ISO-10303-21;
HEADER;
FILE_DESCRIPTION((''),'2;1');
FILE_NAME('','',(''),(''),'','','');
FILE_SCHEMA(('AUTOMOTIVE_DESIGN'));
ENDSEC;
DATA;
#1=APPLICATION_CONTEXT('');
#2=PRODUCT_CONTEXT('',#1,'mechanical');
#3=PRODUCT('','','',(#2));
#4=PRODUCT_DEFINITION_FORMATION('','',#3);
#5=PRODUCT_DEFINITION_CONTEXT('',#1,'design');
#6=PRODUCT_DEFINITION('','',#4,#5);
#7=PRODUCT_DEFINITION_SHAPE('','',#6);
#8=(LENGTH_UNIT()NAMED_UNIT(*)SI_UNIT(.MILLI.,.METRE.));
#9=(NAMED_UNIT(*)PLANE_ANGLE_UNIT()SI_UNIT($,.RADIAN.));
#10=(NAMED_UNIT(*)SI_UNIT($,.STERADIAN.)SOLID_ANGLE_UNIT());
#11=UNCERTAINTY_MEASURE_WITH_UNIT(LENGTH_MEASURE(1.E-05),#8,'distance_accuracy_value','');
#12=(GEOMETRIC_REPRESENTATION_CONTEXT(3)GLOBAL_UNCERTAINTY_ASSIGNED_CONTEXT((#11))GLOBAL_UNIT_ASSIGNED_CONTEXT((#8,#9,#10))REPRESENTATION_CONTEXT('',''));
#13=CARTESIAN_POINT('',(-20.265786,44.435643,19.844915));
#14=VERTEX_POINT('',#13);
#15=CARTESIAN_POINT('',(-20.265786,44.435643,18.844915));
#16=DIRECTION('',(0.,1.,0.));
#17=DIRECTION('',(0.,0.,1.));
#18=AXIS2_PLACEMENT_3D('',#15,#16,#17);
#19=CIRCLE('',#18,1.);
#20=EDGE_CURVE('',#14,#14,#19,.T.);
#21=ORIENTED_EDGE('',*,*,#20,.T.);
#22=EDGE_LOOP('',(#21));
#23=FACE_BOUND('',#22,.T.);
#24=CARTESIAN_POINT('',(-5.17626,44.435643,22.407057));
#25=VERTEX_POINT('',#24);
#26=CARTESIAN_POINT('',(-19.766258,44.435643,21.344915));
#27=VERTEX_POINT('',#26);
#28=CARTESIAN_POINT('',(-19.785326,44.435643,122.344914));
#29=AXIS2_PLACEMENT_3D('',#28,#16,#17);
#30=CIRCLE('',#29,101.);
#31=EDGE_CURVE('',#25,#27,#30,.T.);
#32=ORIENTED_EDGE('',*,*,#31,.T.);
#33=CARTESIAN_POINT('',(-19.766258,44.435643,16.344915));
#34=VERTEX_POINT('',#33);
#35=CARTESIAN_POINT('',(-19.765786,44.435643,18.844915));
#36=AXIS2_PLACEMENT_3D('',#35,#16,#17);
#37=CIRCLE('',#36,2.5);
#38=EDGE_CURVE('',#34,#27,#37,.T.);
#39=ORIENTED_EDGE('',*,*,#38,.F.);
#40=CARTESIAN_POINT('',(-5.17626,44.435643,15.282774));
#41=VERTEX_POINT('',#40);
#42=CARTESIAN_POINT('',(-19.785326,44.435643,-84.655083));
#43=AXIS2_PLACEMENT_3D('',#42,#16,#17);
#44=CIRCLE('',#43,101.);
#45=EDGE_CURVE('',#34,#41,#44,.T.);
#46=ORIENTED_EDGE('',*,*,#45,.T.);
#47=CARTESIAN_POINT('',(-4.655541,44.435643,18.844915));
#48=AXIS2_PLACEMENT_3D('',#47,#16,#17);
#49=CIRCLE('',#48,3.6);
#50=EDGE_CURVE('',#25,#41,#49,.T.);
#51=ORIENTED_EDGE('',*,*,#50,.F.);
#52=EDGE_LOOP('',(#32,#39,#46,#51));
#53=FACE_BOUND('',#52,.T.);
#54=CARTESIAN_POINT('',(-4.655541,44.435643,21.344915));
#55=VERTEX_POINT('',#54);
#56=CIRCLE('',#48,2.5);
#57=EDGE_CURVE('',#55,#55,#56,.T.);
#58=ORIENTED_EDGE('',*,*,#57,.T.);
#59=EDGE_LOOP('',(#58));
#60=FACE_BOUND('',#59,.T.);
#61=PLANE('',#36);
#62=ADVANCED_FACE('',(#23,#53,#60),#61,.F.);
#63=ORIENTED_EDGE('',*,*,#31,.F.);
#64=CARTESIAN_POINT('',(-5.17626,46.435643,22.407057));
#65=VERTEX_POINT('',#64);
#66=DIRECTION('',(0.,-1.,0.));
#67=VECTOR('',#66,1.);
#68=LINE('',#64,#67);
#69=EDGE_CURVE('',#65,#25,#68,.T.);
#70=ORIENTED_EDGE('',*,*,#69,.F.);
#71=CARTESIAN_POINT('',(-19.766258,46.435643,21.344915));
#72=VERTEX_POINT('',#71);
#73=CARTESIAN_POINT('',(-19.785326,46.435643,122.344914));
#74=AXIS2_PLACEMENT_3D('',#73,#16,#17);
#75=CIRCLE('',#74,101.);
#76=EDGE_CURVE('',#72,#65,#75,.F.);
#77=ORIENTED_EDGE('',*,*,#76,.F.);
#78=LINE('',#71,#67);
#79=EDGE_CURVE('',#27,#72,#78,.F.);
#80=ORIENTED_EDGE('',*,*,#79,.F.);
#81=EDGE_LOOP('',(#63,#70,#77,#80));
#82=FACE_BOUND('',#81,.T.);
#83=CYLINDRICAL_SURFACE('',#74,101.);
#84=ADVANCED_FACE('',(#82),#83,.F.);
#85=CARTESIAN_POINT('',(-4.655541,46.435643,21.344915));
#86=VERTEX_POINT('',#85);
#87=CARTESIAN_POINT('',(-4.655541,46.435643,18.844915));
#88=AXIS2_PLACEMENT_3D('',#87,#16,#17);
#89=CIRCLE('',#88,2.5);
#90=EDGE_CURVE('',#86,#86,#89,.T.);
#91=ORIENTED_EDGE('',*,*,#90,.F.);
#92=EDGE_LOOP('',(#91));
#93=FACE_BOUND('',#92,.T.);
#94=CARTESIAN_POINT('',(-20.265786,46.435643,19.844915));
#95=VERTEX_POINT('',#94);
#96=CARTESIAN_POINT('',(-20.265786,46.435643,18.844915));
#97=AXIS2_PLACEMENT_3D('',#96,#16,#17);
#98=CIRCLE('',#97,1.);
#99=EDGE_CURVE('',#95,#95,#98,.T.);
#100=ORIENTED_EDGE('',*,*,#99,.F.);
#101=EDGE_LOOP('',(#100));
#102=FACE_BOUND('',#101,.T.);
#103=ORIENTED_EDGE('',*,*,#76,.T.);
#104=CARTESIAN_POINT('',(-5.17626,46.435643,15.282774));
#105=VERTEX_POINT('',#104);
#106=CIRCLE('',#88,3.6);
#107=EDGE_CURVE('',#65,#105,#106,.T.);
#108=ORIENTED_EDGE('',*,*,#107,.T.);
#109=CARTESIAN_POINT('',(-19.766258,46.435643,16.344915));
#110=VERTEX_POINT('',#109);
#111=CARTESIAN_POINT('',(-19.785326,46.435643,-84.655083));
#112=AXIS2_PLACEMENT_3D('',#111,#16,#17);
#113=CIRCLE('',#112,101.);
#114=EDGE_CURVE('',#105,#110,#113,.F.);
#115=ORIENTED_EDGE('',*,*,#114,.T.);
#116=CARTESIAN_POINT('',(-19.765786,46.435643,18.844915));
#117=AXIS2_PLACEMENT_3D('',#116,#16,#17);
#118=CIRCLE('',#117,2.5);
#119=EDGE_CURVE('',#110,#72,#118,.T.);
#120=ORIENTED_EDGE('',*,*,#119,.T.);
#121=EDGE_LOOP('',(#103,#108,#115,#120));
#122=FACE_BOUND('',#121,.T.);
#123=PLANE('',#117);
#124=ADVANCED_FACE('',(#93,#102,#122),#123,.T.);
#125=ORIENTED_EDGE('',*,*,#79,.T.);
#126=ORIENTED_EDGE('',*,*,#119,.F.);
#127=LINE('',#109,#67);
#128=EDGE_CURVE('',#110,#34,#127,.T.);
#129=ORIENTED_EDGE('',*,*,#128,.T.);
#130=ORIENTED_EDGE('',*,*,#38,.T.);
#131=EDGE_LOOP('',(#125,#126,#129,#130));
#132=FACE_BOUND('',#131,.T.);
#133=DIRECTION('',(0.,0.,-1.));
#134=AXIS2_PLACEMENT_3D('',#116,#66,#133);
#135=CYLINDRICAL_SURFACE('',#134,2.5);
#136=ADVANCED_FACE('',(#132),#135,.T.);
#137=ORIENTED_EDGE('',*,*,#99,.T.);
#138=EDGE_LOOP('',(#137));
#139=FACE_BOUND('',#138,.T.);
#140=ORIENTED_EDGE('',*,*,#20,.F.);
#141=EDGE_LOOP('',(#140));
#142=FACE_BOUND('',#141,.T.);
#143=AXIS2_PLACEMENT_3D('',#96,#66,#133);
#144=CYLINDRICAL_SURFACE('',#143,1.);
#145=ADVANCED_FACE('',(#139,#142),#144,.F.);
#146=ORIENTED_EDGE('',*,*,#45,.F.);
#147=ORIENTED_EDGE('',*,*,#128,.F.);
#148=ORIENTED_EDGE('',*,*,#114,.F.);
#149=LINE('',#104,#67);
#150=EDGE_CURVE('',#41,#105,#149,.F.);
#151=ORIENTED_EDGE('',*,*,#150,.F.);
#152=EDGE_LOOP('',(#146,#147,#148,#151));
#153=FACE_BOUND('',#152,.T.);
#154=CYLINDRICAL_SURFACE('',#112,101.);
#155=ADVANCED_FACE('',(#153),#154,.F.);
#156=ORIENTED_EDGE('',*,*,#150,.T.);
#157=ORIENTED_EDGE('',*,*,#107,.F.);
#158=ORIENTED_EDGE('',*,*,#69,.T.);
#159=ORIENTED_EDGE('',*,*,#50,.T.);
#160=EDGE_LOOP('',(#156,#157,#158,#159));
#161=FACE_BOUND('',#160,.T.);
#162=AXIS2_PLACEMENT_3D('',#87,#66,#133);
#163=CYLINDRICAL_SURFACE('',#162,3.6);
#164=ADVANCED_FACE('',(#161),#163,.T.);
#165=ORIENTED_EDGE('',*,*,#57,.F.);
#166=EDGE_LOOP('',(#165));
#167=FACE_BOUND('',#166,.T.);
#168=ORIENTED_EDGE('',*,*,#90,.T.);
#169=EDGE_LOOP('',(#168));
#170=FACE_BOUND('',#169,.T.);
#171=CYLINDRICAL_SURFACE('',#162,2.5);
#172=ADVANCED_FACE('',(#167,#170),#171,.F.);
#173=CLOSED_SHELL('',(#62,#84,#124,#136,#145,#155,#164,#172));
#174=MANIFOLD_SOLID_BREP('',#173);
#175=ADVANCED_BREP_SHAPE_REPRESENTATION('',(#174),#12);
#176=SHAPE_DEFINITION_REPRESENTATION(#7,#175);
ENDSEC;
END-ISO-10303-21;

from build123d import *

# Parameters (mm, degrees)
CROQUIS1_R              = 2.5
CROQUIS1_R_2            = 1
SALIENTE_EXTRUIR1_DEPTH = 2
REDONDEO1_R             = 101


with BuildPart() as part:
    # Croquis1 → Saliente-Extruir1 (new body)
    with BuildSketch(Plane(origin=(0, 44.435642752, 0), x_dir=(1, 0, 0), z_dir=(0, 1, 0))):
        with BuildLine():
            Line((-19.765786092, -16.344915397), (-7.245908087, -16.344915397))
            ThreePointArc((-7.245908087, -16.344915397), (-1.055541318, -18.844915397), (-7.245908087, -21.344915397))
            Line((-7.245908087, -21.344915397), (-19.765786092, -21.344915397))
            ThreePointArc((-19.765786092, -21.344915397), (-22.265786092, -18.844915397), (-19.765786092, -16.344915397))
        make_face()
        with Locations(Location((-4.655541318, -18.844915397, 0), (0, 0, 270))):
            Circle(CROQUIS1_R, mode=Mode.SUBTRACT)
        with Locations(Location((-20.265786092, -18.844915397, 0), (0, 0, 270))):
            Circle(CROQUIS1_R_2, mode=Mode.SUBTRACT)
    extrude(amount=SALIENTE_EXTRUIR1_DEPTH)

    # Redondeo1
    redondeo1_edges = [part.edges().sort_by_distance(p)[0] for p in [
        (-7.245908087, 45.435642752, 16.344915397),
        (-7.245908087, 45.435642752, 21.344915397),
    ]]
    fillet(redondeo1_edges, radius=REDONDEO1_R)


solid = part.part
